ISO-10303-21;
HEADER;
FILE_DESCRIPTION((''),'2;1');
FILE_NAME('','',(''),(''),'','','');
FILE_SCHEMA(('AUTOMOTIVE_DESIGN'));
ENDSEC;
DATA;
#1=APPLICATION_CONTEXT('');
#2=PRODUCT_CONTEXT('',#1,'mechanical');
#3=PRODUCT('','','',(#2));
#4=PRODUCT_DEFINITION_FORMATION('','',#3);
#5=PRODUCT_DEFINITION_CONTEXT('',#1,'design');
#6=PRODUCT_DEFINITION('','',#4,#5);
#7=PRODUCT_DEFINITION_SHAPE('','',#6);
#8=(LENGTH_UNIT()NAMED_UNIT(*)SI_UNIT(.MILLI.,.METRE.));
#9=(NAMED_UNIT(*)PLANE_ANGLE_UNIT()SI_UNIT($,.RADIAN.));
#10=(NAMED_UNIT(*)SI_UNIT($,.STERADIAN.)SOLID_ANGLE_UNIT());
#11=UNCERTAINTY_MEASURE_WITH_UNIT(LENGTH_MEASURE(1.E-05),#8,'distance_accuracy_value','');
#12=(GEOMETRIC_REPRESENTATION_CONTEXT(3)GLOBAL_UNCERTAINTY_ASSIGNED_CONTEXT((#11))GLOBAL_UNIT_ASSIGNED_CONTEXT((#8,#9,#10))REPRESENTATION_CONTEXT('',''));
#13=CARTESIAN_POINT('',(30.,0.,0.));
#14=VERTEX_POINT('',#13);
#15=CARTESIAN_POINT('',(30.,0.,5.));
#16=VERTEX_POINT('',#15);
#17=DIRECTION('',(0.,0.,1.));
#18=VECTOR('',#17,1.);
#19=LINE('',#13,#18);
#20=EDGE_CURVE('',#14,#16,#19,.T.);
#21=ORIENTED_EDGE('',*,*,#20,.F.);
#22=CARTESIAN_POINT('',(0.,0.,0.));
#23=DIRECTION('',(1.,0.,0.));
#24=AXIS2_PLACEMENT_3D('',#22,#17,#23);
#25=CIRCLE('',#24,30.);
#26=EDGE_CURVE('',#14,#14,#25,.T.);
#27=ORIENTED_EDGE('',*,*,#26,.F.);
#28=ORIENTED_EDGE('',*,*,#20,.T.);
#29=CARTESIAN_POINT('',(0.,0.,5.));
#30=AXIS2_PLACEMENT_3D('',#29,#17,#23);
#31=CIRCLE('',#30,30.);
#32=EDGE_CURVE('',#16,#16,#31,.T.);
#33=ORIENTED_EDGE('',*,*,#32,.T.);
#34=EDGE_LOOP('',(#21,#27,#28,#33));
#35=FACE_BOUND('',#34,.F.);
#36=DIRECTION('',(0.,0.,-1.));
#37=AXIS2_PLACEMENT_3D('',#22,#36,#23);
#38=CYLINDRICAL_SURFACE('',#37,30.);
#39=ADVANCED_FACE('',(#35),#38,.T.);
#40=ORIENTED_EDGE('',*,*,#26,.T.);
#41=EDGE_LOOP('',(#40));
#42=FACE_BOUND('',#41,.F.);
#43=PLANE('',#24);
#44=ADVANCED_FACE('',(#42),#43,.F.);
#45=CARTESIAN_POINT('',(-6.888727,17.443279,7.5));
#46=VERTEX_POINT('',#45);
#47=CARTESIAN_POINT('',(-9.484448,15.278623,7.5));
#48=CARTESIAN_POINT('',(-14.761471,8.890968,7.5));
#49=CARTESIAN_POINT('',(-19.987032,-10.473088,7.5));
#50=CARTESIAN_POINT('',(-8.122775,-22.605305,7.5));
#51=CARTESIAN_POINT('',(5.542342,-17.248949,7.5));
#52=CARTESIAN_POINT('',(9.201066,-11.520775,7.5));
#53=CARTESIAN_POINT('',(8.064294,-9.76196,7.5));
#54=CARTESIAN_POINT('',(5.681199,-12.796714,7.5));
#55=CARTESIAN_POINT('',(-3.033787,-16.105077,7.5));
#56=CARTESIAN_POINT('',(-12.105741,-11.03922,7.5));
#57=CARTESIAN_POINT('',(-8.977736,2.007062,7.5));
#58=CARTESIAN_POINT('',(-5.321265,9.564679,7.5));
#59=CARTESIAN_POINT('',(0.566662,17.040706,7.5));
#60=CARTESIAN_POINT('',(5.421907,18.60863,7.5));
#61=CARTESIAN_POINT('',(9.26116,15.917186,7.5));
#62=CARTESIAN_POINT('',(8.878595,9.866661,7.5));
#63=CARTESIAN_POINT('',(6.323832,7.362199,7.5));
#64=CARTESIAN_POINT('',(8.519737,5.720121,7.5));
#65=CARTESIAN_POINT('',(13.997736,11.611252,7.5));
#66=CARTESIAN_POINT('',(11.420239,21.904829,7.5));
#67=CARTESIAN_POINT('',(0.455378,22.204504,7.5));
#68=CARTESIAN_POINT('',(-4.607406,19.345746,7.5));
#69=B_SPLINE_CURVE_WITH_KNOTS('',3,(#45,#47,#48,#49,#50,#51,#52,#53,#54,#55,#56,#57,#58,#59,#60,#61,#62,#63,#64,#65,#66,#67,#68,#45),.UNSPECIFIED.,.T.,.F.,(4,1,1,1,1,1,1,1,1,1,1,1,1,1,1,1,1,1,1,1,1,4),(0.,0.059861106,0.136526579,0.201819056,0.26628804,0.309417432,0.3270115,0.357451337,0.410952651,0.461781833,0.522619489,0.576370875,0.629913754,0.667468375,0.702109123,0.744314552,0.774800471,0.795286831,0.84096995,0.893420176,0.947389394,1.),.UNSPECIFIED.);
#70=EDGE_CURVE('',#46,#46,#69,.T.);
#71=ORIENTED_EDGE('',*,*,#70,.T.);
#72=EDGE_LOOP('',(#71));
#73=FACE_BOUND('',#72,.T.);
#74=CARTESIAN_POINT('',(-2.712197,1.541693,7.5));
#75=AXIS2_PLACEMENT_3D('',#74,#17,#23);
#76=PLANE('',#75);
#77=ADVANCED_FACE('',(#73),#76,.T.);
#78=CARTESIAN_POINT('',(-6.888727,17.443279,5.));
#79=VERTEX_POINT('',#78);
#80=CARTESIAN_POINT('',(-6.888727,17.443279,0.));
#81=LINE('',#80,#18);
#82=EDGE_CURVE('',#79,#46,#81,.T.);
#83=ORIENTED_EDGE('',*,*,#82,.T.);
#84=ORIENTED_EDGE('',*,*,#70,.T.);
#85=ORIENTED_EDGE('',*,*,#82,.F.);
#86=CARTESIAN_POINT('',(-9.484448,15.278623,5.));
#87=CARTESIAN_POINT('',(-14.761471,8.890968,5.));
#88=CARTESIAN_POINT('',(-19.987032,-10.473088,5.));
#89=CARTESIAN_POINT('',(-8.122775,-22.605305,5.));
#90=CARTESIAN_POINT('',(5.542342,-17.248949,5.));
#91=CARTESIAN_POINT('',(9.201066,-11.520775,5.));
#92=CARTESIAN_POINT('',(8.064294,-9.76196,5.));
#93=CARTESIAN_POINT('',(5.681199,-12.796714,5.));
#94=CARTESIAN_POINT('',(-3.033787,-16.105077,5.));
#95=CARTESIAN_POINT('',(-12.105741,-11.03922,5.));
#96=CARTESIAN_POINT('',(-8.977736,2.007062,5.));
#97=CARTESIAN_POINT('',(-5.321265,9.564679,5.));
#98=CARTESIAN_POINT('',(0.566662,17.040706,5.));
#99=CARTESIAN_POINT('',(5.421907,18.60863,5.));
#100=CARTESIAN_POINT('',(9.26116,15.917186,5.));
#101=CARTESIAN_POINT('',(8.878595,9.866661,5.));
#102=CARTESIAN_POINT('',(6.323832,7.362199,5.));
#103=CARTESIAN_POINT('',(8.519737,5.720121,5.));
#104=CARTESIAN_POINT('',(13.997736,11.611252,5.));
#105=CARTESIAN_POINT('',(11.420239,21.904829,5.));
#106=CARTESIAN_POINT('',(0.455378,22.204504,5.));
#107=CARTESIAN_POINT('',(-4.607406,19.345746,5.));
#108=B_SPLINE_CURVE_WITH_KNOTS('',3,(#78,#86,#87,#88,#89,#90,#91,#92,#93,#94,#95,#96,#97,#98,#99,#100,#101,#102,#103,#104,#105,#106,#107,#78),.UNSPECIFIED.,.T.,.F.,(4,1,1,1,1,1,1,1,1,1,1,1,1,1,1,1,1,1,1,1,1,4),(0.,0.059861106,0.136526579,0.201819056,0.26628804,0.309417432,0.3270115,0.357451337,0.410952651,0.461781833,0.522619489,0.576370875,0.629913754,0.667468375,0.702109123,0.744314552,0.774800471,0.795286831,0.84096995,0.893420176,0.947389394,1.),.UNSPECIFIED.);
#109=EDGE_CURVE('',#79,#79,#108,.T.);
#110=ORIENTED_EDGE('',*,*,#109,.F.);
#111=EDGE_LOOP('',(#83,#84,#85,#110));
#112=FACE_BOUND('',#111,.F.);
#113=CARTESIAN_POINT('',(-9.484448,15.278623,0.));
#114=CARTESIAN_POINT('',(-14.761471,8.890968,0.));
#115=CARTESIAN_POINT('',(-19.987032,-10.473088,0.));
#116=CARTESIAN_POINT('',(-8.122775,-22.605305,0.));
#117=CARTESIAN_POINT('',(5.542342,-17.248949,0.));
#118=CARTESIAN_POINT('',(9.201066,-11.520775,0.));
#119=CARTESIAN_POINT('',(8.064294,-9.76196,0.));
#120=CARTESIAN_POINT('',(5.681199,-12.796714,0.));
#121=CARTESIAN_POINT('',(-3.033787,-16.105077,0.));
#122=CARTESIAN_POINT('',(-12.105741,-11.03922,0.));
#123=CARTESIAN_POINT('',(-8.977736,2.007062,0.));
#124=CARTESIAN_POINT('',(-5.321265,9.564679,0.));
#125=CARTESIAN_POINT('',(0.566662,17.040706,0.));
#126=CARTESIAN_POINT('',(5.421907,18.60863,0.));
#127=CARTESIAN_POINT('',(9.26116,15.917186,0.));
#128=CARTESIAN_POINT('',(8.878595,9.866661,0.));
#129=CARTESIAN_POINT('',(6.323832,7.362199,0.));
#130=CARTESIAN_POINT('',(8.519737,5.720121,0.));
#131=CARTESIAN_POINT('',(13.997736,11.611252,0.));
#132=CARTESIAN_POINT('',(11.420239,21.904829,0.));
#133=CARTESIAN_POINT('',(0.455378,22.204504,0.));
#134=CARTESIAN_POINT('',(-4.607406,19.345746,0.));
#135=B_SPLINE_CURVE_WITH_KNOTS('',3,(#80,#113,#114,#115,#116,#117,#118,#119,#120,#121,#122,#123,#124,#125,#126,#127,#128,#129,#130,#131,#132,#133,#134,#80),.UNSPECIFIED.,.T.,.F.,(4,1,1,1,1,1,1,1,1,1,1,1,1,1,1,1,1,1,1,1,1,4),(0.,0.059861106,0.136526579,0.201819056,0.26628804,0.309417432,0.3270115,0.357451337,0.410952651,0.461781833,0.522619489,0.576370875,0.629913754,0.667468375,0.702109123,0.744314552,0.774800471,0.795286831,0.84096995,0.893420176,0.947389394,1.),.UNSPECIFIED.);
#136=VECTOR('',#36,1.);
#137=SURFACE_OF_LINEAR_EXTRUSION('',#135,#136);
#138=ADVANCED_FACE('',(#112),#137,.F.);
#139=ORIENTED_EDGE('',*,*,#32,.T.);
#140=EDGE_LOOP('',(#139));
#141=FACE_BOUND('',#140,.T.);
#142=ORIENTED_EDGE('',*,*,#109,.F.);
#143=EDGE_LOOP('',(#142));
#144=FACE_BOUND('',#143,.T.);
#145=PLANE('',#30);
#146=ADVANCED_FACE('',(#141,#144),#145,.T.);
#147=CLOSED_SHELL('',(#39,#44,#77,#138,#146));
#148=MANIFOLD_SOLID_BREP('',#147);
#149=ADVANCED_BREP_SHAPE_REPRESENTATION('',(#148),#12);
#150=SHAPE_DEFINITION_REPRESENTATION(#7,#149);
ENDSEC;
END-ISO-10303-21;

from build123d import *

# Parameters (mm, degrees)
F2_DEPTH = 7.5
F1_R     = 30
F3_DEPTH = 5


with BuildPart() as f2:
    # F1 (on Top) → F2 (new body)
    with BuildSketch(Plane.XY):
        with BuildLine():
            add(Edge.make_bspline(
                [(-6.88872733, 17.4432786471), (-9.4844480552, 15.278623458), (-14.7614708002, 8.8909682781), (-19.9870318603, -10.473087768), (-8.122774868, -22.605305376), (5.5423415952, -17.248948771), (9.201065804, -11.5207750308), (8.0642944823, -9.7619596454), (5.6811993751, -12.7967137108), (-3.0337874303, -16.1050767999), (-12.1057409422, -11.0392198786), (-8.9777364807, 2.0070621096), (-5.3212650692, 9.5646788976), (0.5666622059, 17.040706103), (5.4219068423, 18.6086296547), (9.2611599318, 15.9171858903), (8.8785946209, 9.8666607572), (6.3238318569, 7.362199478), (8.5197374938, 5.7201207691), (13.9977357581, 11.6112520809), (11.4202387335, 21.9048288711), (0.4553776571, 22.2045037686), (-4.6074056208, 19.3457463617), (-6.88872733, 17.4432786471)],
                knots=[0, 0, 0, 0, 0.0598611064, 0.1365265787, 0.2018190561, 0.2662880397, 0.3094174321, 0.3270115001, 0.3574513371, 0.4109526509, 0.4617818326, 0.5226194887, 0.5763708755, 0.629913754, 0.6674683752, 0.7021091233, 0.744314552, 0.7748004714, 0.795286831, 0.8409699502, 0.8934201759, 0.9473893936, 1, 1, 1, 1], degree=3))
        make_face()
    extrude(amount=F2_DEPTH)

    # F1 (on Top) → F3 (join)
    with BuildSketch(Plane.XY):
        Circle(F1_R)
        with BuildLine():
            add(Edge.make_bspline(
                [(-6.88872733, 17.4432786471), (-9.4844480552, 15.278623458), (-14.7614708002, 8.8909682781), (-19.9870318603, -10.473087768), (-8.122774868, -22.605305376), (5.5423415952, -17.248948771), (9.201065804, -11.5207750308), (8.0642944823, -9.7619596454), (5.6811993751, -12.7967137108), (-3.0337874303, -16.1050767999), (-12.1057409422, -11.0392198786), (-8.9777364807, 2.0070621096), (-5.3212650692, 9.5646788976), (0.5666622059, 17.040706103), (5.4219068423, 18.6086296547), (9.2611599318, 15.9171858903), (8.8785946209, 9.8666607572), (6.3238318569, 7.362199478), (8.5197374938, 5.7201207691), (13.9977357581, 11.6112520809), (11.4202387335, 21.9048288711), (0.4553776571, 22.2045037686), (-4.6074056208, 19.3457463617), (-6.88872733, 17.4432786471)],
                knots=[0, 0, 0, 0, 0.0598611064, 0.1365265787, 0.2018190561, 0.2662880397, 0.3094174321, 0.3270115001, 0.3574513371, 0.4109526509, 0.4617818326, 0.5226194887, 0.5763708755, 0.629913754, 0.6674683752, 0.7021091233, 0.744314552, 0.7748004714, 0.795286831, 0.8409699502, 0.8934201759, 0.9473893936, 1, 1, 1, 1], degree=3))
        make_face(mode=Mode.SUBTRACT)
    extrude(amount=F3_DEPTH)


solid = f2.part
